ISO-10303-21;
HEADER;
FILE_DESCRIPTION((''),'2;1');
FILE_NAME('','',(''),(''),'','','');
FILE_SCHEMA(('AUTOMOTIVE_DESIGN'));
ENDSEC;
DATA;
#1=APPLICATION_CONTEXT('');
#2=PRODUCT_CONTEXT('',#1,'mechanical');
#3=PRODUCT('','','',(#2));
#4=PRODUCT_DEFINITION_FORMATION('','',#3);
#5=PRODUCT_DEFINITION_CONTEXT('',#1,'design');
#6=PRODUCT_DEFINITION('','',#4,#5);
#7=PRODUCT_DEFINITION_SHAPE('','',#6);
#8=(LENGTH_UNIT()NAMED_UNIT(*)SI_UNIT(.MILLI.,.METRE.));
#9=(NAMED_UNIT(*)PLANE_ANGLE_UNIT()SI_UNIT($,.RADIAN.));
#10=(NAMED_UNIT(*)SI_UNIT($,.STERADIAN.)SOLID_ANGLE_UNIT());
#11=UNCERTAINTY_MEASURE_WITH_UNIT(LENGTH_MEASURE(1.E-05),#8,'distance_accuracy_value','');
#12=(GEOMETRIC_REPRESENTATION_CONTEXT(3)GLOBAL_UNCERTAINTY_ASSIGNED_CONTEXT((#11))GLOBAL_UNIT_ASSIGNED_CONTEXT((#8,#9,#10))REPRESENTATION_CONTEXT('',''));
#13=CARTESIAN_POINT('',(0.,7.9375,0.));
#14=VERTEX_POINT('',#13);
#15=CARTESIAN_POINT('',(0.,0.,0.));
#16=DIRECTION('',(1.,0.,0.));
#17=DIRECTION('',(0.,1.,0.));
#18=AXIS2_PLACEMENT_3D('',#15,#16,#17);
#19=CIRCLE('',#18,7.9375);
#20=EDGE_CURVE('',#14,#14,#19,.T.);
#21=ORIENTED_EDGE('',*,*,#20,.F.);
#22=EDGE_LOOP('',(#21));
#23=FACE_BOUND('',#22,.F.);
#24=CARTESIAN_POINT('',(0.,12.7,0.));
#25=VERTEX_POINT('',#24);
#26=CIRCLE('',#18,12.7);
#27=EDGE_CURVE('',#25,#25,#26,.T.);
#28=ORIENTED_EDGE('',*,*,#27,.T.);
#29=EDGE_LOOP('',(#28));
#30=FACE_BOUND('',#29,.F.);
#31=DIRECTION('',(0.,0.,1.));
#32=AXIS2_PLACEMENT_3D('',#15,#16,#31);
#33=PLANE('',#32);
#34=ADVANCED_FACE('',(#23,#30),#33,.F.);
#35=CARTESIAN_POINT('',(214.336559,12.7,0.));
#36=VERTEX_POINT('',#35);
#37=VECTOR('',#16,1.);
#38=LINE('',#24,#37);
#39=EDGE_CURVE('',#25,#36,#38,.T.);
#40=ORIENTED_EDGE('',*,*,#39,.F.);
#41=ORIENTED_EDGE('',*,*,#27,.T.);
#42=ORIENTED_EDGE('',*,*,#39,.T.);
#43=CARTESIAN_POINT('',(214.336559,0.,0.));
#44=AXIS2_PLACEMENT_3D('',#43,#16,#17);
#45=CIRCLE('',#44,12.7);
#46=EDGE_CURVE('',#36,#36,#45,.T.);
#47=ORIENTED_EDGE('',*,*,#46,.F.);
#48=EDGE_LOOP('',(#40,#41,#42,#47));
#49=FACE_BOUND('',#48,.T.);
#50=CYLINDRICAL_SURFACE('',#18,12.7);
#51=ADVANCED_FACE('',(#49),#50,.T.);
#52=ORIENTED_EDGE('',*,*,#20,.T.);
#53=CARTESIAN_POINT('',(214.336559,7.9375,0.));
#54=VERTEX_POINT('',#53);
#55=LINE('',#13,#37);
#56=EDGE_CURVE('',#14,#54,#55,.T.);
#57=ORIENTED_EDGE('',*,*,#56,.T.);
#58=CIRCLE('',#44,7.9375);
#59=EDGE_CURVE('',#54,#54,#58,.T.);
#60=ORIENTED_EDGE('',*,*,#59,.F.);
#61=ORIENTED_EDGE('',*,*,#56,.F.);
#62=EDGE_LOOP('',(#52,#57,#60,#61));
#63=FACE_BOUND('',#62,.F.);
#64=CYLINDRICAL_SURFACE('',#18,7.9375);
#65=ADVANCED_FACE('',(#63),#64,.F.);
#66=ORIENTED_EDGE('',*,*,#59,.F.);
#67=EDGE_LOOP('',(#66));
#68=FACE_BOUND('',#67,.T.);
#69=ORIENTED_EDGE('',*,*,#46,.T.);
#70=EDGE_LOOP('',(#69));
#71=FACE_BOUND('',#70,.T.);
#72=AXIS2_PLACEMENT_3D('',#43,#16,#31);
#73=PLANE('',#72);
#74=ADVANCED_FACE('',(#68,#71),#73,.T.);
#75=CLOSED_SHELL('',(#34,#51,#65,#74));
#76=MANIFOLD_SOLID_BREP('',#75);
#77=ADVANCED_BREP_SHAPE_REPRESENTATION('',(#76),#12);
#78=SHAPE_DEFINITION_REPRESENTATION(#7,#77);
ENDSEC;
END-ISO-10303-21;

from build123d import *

# Parameters (mm, degrees)
F1_R   = 12.7
F1_R_2 = 7.9375


with BuildPart() as f2:
    # F2: sweep along a path in F0
    with BuildLine(Plane.XZ) as f2_path:
        Line((0, 0), (214.3365585547, 0))
    # F1 (on Right) → F2 (sweep)
    with BuildSketch(Plane.YZ):
        Circle(F1_R)
        Circle(F1_R_2, mode=Mode.SUBTRACT)
    sweep(path=f2_path.line)


solid = f2.part
